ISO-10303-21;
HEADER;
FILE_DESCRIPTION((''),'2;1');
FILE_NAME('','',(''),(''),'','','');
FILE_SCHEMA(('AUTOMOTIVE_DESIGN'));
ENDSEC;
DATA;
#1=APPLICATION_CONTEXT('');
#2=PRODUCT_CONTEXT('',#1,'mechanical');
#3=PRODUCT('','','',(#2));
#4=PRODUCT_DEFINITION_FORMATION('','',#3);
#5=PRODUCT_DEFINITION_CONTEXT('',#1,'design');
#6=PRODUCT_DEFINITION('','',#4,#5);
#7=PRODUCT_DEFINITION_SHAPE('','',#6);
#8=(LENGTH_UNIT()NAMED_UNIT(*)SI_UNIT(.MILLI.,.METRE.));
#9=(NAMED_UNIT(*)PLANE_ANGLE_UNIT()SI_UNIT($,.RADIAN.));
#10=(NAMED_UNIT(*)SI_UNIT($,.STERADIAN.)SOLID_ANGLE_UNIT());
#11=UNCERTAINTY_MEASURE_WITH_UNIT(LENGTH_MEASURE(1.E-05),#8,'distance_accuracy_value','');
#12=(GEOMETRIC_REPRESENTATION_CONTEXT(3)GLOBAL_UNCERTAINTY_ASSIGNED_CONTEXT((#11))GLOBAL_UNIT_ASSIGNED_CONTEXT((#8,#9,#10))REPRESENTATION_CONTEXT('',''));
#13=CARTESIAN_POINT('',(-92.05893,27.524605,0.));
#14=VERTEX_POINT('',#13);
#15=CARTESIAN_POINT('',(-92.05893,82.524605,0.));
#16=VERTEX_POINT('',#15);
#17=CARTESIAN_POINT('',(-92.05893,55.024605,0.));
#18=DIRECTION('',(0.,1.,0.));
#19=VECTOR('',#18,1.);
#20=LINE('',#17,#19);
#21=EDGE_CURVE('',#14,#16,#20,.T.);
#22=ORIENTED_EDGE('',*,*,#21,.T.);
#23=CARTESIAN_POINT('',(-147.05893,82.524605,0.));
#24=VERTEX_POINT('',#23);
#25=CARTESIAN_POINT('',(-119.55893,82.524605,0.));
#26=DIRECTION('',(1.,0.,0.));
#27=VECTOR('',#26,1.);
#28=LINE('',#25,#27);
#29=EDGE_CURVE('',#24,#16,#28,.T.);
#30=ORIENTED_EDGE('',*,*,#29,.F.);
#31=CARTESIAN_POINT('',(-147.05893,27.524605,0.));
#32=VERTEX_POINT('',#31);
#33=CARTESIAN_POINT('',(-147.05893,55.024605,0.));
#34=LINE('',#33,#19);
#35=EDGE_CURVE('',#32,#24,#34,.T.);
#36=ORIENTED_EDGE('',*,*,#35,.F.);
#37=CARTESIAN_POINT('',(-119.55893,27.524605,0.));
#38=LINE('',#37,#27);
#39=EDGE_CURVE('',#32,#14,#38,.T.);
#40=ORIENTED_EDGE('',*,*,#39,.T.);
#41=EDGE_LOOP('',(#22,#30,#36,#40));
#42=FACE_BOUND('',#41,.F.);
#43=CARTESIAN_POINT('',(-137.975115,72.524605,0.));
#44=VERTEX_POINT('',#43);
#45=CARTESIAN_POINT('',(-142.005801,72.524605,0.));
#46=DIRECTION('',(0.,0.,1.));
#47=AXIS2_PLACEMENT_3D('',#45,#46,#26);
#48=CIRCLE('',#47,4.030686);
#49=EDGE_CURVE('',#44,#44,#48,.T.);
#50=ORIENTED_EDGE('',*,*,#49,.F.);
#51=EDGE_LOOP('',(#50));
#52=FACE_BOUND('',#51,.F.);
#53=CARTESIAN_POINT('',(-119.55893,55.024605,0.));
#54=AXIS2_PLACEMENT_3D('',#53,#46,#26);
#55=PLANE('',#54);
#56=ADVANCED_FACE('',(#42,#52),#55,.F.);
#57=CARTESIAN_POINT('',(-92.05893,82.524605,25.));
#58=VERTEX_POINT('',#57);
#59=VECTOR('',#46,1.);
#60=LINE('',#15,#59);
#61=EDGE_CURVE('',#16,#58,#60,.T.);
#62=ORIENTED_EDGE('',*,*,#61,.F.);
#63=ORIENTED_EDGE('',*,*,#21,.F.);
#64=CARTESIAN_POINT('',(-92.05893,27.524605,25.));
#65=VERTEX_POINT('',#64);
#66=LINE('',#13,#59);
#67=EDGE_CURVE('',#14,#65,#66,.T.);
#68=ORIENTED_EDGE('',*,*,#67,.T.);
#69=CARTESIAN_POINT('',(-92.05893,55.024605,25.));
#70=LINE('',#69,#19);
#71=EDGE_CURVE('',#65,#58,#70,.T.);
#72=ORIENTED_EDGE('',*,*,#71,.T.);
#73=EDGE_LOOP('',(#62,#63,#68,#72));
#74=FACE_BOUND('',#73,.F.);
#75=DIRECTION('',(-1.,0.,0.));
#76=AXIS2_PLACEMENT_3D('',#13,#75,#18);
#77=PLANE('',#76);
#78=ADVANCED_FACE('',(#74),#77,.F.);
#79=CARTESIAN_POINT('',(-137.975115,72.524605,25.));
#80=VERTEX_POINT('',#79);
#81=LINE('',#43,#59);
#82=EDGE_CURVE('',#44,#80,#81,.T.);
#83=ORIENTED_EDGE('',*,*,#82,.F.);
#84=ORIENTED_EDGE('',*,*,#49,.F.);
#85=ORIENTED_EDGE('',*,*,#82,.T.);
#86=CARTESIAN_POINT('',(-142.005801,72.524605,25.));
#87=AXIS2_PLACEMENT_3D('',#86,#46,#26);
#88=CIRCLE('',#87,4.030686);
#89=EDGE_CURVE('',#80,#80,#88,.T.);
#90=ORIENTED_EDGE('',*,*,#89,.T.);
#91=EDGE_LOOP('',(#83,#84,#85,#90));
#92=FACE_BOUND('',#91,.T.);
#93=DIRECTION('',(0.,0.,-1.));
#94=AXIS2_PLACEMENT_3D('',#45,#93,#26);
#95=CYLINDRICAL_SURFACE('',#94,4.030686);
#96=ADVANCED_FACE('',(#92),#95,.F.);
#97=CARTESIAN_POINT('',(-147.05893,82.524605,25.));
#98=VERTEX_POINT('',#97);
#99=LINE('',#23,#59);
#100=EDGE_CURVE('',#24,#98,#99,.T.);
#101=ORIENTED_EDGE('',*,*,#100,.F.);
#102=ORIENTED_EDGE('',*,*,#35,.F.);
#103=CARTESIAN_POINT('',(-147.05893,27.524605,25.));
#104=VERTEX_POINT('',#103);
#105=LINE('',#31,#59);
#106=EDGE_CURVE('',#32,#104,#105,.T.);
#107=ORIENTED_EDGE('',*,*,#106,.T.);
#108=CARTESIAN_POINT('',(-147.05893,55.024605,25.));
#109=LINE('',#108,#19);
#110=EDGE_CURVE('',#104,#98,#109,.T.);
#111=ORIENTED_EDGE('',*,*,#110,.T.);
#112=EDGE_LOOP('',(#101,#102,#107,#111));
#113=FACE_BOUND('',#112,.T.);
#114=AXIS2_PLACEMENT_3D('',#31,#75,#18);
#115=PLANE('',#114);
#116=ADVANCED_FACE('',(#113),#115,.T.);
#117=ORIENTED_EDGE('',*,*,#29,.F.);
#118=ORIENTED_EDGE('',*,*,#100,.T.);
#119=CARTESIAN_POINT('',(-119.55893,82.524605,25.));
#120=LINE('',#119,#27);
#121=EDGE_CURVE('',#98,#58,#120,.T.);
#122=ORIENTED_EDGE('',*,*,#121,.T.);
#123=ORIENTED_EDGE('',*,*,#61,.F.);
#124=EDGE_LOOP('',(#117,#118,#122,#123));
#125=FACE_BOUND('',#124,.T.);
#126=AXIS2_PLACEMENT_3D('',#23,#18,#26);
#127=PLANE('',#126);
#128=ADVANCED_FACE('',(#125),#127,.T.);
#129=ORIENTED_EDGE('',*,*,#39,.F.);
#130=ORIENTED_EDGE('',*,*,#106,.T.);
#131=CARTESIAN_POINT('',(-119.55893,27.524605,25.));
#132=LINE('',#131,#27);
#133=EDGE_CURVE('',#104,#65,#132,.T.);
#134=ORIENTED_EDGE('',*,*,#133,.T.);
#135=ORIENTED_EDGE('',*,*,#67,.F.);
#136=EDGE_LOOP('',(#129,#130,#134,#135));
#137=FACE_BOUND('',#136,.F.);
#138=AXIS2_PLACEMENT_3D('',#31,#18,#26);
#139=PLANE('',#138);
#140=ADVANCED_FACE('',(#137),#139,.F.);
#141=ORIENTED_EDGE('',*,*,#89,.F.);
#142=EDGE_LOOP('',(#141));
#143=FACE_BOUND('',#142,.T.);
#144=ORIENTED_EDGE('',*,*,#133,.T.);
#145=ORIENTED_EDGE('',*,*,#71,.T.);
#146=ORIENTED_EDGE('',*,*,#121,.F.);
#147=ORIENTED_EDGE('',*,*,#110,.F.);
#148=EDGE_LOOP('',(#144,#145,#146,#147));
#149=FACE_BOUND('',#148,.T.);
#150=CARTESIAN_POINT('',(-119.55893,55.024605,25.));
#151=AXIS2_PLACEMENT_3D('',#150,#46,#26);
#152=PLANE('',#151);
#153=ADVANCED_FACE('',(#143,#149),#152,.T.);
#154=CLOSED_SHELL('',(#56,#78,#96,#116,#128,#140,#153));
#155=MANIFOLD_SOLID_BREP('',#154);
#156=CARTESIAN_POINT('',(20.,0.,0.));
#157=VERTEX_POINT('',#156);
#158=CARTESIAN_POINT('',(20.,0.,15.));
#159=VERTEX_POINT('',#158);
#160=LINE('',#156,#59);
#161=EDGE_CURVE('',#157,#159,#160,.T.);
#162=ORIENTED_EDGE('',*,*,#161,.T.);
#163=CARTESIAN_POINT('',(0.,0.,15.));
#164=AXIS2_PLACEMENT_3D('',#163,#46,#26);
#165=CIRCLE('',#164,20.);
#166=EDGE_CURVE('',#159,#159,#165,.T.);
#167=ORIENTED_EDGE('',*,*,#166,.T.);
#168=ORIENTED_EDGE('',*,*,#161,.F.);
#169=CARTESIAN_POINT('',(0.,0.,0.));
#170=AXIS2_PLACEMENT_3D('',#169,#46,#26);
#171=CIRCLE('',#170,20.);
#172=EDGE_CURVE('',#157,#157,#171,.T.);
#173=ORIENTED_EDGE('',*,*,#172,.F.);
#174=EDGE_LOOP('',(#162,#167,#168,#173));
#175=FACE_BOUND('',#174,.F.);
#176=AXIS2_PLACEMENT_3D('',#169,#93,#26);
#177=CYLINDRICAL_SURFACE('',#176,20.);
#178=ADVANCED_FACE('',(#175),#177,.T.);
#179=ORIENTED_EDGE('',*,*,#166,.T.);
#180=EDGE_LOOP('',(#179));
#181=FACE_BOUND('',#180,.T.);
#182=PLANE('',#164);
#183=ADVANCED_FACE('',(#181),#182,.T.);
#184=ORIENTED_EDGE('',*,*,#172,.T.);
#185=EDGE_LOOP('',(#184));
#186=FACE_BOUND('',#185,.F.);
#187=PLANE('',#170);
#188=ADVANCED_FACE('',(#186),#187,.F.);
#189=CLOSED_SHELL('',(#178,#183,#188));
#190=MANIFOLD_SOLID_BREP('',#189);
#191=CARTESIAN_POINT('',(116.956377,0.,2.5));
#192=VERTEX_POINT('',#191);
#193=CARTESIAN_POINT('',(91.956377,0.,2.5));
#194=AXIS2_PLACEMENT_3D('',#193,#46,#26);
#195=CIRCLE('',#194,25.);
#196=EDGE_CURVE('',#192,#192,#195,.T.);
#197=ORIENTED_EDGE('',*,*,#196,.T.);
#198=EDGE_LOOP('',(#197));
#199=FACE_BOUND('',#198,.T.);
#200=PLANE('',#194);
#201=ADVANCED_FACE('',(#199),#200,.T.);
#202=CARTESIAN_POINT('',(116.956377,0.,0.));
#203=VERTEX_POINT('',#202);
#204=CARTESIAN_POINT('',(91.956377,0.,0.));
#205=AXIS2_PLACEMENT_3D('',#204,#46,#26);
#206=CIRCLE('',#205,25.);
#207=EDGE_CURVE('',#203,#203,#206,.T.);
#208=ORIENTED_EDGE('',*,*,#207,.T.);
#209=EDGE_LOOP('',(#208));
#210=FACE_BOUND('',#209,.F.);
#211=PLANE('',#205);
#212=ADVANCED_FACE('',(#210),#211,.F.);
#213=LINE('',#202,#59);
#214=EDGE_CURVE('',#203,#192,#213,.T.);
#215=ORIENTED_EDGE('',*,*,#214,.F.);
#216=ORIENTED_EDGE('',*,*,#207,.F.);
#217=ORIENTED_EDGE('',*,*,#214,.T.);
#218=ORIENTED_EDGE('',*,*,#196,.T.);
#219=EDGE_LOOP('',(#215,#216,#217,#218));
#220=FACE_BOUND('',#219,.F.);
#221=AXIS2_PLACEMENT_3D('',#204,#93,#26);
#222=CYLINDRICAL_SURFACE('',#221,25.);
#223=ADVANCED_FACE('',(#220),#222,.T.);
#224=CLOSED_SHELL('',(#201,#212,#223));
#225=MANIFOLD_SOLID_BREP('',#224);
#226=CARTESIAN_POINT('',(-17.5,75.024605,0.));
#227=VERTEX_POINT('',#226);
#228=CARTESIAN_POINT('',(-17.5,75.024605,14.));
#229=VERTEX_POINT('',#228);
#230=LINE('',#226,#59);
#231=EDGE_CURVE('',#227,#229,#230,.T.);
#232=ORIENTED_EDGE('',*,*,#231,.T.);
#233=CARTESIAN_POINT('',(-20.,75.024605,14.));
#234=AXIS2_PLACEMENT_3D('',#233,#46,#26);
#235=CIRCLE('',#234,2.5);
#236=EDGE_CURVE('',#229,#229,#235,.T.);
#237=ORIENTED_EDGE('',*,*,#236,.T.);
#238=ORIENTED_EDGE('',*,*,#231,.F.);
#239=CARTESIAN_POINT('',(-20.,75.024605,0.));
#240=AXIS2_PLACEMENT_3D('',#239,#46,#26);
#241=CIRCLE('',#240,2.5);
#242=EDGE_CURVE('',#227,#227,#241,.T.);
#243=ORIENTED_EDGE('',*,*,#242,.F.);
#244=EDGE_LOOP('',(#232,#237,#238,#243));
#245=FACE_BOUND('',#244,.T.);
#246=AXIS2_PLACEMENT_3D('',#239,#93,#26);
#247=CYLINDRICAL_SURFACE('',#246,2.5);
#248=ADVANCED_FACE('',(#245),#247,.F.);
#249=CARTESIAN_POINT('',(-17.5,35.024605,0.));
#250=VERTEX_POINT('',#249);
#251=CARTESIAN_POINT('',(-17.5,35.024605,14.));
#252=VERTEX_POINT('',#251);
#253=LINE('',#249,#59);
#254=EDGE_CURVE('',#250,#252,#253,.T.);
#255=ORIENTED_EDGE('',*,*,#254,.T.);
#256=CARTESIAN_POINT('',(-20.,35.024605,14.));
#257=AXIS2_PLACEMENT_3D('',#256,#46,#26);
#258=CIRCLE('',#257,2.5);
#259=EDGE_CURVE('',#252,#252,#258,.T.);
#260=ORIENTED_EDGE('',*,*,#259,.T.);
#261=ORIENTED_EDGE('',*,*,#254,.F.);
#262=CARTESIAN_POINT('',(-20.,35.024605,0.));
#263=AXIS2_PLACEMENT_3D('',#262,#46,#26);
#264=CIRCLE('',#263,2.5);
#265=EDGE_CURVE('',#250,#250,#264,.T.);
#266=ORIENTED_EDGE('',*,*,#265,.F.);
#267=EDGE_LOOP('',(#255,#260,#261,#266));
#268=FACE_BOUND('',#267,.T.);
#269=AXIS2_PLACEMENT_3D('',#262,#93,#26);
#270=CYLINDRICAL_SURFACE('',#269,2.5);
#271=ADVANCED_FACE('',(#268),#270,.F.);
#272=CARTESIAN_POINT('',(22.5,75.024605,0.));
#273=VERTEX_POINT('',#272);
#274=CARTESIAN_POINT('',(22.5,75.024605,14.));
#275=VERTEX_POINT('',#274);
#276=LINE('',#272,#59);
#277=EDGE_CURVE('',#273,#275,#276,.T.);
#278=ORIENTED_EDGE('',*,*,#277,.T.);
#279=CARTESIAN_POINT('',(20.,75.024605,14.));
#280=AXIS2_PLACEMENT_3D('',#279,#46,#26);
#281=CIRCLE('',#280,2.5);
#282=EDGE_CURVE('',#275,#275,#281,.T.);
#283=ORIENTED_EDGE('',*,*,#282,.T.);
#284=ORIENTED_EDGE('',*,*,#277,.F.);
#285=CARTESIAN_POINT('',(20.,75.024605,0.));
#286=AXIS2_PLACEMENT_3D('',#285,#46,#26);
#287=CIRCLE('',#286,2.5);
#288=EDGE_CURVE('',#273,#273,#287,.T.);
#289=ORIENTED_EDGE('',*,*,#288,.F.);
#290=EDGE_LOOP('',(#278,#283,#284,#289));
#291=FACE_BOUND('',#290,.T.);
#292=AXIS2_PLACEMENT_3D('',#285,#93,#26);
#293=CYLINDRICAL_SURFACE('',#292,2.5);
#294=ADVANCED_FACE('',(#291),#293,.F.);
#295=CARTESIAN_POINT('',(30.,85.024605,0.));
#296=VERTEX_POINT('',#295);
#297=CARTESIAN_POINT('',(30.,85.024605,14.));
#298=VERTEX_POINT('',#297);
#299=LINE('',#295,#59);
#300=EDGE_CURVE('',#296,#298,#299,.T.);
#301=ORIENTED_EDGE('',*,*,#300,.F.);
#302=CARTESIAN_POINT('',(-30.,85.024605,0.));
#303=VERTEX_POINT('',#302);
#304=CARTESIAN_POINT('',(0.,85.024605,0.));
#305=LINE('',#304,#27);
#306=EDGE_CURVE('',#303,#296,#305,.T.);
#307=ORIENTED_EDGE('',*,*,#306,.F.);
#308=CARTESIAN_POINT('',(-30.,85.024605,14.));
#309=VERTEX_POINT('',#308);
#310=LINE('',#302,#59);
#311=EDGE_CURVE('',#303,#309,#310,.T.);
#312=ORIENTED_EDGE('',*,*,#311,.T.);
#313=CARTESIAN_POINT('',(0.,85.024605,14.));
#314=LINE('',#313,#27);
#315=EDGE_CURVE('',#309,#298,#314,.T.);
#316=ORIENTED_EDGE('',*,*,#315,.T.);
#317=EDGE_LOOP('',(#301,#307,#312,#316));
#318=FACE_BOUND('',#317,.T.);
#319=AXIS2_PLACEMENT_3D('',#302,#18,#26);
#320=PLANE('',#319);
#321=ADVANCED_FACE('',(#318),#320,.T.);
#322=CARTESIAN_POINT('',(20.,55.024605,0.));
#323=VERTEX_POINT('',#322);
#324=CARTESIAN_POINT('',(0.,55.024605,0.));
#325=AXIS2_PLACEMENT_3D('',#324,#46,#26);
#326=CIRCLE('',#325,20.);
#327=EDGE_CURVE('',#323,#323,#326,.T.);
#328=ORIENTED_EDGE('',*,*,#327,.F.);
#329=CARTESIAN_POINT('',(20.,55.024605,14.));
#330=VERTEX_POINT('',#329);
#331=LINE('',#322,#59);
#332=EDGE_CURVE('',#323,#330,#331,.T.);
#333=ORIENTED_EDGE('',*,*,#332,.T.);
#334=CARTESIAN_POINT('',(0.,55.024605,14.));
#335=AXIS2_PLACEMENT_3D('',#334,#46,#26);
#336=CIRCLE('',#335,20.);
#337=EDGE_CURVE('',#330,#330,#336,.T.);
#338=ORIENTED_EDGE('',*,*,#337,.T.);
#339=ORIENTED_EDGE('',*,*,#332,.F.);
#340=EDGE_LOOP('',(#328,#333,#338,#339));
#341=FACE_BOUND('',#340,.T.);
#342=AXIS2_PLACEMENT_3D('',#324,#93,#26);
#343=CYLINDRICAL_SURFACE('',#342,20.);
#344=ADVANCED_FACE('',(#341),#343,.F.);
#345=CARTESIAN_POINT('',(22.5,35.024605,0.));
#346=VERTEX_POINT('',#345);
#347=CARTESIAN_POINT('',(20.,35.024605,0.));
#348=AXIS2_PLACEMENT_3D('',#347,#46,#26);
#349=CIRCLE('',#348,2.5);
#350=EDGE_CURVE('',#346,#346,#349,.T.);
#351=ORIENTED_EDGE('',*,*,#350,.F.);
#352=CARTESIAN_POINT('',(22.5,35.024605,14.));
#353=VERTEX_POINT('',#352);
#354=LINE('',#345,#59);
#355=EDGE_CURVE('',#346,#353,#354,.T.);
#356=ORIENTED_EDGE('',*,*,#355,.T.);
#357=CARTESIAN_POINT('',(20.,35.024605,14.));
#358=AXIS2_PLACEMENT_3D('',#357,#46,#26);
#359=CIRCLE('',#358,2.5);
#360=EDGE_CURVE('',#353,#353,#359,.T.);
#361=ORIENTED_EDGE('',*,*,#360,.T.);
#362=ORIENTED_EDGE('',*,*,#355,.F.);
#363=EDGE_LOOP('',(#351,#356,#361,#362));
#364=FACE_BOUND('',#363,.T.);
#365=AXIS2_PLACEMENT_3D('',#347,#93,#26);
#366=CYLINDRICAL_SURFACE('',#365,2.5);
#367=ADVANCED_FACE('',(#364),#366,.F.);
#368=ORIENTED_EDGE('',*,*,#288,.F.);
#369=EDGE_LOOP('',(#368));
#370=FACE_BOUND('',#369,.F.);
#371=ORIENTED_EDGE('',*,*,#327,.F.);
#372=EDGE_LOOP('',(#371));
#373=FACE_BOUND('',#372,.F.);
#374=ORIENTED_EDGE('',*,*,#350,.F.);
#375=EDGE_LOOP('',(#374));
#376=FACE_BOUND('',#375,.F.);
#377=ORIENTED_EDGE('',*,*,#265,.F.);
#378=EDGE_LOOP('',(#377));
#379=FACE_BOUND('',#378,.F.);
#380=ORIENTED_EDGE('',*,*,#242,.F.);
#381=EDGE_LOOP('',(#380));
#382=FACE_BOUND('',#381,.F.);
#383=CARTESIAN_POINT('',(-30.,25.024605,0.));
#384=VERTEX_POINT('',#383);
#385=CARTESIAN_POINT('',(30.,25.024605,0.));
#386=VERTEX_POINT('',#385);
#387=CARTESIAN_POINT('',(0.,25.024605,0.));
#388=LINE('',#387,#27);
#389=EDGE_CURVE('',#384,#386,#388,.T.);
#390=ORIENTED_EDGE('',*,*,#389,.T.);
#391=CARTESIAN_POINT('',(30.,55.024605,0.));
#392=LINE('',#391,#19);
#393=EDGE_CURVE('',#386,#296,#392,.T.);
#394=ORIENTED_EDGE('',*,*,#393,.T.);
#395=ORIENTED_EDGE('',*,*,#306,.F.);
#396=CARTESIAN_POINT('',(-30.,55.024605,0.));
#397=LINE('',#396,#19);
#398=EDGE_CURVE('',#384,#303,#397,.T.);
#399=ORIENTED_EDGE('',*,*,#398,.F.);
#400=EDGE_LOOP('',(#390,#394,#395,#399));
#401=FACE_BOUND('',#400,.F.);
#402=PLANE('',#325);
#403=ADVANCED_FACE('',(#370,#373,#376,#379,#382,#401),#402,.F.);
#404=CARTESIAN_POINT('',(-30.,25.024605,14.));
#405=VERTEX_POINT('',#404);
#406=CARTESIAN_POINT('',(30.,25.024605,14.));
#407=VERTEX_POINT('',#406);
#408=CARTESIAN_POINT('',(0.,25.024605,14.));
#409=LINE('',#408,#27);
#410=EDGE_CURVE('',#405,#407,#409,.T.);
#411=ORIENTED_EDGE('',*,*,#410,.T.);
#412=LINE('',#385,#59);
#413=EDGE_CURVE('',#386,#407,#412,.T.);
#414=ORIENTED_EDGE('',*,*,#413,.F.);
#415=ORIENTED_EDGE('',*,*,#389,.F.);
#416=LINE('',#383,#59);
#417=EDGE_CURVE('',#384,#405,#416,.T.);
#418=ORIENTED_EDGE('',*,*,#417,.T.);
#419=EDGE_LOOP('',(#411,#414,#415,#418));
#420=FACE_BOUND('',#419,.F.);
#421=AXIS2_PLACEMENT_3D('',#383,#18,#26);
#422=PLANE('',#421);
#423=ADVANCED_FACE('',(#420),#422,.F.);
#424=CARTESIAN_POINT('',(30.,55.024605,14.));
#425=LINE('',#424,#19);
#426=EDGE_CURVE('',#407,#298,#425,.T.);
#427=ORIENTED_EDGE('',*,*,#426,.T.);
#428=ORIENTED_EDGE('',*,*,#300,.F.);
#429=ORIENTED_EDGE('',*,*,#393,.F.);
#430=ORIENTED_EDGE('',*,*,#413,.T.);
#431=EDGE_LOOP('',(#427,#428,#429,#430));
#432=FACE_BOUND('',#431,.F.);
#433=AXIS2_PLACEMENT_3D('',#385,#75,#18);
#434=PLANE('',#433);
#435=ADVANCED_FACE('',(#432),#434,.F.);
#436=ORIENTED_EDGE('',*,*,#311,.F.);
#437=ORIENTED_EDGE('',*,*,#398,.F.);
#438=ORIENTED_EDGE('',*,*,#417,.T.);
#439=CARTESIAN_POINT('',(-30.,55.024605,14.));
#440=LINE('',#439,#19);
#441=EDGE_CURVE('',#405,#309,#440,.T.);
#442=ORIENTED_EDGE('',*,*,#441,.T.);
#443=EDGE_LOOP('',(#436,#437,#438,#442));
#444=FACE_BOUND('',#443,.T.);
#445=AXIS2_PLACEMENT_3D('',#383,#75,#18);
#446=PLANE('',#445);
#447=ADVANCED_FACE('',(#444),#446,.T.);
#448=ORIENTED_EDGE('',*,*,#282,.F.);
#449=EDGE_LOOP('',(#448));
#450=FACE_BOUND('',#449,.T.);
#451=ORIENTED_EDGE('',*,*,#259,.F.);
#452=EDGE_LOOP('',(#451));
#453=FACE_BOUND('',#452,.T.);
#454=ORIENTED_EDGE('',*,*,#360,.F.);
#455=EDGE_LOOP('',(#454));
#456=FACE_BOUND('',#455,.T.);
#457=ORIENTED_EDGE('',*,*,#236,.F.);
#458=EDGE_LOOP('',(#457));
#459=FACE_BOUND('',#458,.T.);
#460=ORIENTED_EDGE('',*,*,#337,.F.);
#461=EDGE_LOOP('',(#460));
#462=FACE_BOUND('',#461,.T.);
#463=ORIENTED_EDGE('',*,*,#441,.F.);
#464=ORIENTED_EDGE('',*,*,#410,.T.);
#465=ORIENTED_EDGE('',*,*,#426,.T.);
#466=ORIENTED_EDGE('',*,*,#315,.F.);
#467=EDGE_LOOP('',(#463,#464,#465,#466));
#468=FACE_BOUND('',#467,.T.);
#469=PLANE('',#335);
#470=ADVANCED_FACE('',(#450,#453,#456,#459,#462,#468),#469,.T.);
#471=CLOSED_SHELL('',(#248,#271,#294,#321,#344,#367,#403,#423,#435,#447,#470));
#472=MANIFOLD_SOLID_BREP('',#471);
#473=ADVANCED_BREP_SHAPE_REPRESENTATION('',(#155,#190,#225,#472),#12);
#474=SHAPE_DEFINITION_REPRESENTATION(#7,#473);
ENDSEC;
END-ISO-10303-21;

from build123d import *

# Parameters (mm, degrees)
F0_R     = 20
F1_DEPTH = 15
F0_W     = 60
F0_H     = 60
F0_R_2   = 2.5
F2_DEPTH = 14
F0_R_3   = 25
F3_DEPTH = 2.5
F0_W_2   = 55
F0_H_2   = 55
F0_R_4   = 4.030686
F4_DEPTH = 25


with BuildPart() as f1:
    # F0 (on Top) → F1 (new body)
    with BuildSketch(Plane.XY):
        Circle(F0_R)
    extrude(amount=F1_DEPTH)


with BuildPart() as f2:
    # F0 (on Top) → F2 (new body)
    with BuildSketch(Plane.XY):
        with Locations((0, 55.024605)):
            Rectangle(F0_W, F0_H)
        with Locations((-20, 35.024605)):
            Circle(F0_R_2, mode=Mode.SUBTRACT)
        with Locations((-20, 75.024605)):
            Circle(F0_R_2, mode=Mode.SUBTRACT)
        with Locations((20, 35.024605)):
            Circle(F0_R_2, mode=Mode.SUBTRACT)
        with Locations((0, 55.024605)):
            Circle(F0_R, mode=Mode.SUBTRACT)
        with Locations((20, 75.024605)):
            Circle(F0_R_2, mode=Mode.SUBTRACT)
    extrude(amount=F2_DEPTH)


with BuildPart() as f3:
    # F0 (on Top) → F3 (new body)
    with BuildSketch(Plane.XY):
        with Locations((91.956377, 0)):
            Circle(F0_R_3)
    extrude(amount=F3_DEPTH)


with BuildPart() as f4:
    # F0 (on Top) → F4 (new body)
    with BuildSketch(Plane.XY):
        with Locations((-119.55893, 55.024605)):
            Rectangle(F0_W_2, F0_H_2)
        with Locations((-142.005801, 72.524605)):
            Circle(F0_R_4, mode=Mode.SUBTRACT)
    extrude(amount=F4_DEPTH)


solid = Compound([f1.part, f2.part, f3.part, f4.part])
